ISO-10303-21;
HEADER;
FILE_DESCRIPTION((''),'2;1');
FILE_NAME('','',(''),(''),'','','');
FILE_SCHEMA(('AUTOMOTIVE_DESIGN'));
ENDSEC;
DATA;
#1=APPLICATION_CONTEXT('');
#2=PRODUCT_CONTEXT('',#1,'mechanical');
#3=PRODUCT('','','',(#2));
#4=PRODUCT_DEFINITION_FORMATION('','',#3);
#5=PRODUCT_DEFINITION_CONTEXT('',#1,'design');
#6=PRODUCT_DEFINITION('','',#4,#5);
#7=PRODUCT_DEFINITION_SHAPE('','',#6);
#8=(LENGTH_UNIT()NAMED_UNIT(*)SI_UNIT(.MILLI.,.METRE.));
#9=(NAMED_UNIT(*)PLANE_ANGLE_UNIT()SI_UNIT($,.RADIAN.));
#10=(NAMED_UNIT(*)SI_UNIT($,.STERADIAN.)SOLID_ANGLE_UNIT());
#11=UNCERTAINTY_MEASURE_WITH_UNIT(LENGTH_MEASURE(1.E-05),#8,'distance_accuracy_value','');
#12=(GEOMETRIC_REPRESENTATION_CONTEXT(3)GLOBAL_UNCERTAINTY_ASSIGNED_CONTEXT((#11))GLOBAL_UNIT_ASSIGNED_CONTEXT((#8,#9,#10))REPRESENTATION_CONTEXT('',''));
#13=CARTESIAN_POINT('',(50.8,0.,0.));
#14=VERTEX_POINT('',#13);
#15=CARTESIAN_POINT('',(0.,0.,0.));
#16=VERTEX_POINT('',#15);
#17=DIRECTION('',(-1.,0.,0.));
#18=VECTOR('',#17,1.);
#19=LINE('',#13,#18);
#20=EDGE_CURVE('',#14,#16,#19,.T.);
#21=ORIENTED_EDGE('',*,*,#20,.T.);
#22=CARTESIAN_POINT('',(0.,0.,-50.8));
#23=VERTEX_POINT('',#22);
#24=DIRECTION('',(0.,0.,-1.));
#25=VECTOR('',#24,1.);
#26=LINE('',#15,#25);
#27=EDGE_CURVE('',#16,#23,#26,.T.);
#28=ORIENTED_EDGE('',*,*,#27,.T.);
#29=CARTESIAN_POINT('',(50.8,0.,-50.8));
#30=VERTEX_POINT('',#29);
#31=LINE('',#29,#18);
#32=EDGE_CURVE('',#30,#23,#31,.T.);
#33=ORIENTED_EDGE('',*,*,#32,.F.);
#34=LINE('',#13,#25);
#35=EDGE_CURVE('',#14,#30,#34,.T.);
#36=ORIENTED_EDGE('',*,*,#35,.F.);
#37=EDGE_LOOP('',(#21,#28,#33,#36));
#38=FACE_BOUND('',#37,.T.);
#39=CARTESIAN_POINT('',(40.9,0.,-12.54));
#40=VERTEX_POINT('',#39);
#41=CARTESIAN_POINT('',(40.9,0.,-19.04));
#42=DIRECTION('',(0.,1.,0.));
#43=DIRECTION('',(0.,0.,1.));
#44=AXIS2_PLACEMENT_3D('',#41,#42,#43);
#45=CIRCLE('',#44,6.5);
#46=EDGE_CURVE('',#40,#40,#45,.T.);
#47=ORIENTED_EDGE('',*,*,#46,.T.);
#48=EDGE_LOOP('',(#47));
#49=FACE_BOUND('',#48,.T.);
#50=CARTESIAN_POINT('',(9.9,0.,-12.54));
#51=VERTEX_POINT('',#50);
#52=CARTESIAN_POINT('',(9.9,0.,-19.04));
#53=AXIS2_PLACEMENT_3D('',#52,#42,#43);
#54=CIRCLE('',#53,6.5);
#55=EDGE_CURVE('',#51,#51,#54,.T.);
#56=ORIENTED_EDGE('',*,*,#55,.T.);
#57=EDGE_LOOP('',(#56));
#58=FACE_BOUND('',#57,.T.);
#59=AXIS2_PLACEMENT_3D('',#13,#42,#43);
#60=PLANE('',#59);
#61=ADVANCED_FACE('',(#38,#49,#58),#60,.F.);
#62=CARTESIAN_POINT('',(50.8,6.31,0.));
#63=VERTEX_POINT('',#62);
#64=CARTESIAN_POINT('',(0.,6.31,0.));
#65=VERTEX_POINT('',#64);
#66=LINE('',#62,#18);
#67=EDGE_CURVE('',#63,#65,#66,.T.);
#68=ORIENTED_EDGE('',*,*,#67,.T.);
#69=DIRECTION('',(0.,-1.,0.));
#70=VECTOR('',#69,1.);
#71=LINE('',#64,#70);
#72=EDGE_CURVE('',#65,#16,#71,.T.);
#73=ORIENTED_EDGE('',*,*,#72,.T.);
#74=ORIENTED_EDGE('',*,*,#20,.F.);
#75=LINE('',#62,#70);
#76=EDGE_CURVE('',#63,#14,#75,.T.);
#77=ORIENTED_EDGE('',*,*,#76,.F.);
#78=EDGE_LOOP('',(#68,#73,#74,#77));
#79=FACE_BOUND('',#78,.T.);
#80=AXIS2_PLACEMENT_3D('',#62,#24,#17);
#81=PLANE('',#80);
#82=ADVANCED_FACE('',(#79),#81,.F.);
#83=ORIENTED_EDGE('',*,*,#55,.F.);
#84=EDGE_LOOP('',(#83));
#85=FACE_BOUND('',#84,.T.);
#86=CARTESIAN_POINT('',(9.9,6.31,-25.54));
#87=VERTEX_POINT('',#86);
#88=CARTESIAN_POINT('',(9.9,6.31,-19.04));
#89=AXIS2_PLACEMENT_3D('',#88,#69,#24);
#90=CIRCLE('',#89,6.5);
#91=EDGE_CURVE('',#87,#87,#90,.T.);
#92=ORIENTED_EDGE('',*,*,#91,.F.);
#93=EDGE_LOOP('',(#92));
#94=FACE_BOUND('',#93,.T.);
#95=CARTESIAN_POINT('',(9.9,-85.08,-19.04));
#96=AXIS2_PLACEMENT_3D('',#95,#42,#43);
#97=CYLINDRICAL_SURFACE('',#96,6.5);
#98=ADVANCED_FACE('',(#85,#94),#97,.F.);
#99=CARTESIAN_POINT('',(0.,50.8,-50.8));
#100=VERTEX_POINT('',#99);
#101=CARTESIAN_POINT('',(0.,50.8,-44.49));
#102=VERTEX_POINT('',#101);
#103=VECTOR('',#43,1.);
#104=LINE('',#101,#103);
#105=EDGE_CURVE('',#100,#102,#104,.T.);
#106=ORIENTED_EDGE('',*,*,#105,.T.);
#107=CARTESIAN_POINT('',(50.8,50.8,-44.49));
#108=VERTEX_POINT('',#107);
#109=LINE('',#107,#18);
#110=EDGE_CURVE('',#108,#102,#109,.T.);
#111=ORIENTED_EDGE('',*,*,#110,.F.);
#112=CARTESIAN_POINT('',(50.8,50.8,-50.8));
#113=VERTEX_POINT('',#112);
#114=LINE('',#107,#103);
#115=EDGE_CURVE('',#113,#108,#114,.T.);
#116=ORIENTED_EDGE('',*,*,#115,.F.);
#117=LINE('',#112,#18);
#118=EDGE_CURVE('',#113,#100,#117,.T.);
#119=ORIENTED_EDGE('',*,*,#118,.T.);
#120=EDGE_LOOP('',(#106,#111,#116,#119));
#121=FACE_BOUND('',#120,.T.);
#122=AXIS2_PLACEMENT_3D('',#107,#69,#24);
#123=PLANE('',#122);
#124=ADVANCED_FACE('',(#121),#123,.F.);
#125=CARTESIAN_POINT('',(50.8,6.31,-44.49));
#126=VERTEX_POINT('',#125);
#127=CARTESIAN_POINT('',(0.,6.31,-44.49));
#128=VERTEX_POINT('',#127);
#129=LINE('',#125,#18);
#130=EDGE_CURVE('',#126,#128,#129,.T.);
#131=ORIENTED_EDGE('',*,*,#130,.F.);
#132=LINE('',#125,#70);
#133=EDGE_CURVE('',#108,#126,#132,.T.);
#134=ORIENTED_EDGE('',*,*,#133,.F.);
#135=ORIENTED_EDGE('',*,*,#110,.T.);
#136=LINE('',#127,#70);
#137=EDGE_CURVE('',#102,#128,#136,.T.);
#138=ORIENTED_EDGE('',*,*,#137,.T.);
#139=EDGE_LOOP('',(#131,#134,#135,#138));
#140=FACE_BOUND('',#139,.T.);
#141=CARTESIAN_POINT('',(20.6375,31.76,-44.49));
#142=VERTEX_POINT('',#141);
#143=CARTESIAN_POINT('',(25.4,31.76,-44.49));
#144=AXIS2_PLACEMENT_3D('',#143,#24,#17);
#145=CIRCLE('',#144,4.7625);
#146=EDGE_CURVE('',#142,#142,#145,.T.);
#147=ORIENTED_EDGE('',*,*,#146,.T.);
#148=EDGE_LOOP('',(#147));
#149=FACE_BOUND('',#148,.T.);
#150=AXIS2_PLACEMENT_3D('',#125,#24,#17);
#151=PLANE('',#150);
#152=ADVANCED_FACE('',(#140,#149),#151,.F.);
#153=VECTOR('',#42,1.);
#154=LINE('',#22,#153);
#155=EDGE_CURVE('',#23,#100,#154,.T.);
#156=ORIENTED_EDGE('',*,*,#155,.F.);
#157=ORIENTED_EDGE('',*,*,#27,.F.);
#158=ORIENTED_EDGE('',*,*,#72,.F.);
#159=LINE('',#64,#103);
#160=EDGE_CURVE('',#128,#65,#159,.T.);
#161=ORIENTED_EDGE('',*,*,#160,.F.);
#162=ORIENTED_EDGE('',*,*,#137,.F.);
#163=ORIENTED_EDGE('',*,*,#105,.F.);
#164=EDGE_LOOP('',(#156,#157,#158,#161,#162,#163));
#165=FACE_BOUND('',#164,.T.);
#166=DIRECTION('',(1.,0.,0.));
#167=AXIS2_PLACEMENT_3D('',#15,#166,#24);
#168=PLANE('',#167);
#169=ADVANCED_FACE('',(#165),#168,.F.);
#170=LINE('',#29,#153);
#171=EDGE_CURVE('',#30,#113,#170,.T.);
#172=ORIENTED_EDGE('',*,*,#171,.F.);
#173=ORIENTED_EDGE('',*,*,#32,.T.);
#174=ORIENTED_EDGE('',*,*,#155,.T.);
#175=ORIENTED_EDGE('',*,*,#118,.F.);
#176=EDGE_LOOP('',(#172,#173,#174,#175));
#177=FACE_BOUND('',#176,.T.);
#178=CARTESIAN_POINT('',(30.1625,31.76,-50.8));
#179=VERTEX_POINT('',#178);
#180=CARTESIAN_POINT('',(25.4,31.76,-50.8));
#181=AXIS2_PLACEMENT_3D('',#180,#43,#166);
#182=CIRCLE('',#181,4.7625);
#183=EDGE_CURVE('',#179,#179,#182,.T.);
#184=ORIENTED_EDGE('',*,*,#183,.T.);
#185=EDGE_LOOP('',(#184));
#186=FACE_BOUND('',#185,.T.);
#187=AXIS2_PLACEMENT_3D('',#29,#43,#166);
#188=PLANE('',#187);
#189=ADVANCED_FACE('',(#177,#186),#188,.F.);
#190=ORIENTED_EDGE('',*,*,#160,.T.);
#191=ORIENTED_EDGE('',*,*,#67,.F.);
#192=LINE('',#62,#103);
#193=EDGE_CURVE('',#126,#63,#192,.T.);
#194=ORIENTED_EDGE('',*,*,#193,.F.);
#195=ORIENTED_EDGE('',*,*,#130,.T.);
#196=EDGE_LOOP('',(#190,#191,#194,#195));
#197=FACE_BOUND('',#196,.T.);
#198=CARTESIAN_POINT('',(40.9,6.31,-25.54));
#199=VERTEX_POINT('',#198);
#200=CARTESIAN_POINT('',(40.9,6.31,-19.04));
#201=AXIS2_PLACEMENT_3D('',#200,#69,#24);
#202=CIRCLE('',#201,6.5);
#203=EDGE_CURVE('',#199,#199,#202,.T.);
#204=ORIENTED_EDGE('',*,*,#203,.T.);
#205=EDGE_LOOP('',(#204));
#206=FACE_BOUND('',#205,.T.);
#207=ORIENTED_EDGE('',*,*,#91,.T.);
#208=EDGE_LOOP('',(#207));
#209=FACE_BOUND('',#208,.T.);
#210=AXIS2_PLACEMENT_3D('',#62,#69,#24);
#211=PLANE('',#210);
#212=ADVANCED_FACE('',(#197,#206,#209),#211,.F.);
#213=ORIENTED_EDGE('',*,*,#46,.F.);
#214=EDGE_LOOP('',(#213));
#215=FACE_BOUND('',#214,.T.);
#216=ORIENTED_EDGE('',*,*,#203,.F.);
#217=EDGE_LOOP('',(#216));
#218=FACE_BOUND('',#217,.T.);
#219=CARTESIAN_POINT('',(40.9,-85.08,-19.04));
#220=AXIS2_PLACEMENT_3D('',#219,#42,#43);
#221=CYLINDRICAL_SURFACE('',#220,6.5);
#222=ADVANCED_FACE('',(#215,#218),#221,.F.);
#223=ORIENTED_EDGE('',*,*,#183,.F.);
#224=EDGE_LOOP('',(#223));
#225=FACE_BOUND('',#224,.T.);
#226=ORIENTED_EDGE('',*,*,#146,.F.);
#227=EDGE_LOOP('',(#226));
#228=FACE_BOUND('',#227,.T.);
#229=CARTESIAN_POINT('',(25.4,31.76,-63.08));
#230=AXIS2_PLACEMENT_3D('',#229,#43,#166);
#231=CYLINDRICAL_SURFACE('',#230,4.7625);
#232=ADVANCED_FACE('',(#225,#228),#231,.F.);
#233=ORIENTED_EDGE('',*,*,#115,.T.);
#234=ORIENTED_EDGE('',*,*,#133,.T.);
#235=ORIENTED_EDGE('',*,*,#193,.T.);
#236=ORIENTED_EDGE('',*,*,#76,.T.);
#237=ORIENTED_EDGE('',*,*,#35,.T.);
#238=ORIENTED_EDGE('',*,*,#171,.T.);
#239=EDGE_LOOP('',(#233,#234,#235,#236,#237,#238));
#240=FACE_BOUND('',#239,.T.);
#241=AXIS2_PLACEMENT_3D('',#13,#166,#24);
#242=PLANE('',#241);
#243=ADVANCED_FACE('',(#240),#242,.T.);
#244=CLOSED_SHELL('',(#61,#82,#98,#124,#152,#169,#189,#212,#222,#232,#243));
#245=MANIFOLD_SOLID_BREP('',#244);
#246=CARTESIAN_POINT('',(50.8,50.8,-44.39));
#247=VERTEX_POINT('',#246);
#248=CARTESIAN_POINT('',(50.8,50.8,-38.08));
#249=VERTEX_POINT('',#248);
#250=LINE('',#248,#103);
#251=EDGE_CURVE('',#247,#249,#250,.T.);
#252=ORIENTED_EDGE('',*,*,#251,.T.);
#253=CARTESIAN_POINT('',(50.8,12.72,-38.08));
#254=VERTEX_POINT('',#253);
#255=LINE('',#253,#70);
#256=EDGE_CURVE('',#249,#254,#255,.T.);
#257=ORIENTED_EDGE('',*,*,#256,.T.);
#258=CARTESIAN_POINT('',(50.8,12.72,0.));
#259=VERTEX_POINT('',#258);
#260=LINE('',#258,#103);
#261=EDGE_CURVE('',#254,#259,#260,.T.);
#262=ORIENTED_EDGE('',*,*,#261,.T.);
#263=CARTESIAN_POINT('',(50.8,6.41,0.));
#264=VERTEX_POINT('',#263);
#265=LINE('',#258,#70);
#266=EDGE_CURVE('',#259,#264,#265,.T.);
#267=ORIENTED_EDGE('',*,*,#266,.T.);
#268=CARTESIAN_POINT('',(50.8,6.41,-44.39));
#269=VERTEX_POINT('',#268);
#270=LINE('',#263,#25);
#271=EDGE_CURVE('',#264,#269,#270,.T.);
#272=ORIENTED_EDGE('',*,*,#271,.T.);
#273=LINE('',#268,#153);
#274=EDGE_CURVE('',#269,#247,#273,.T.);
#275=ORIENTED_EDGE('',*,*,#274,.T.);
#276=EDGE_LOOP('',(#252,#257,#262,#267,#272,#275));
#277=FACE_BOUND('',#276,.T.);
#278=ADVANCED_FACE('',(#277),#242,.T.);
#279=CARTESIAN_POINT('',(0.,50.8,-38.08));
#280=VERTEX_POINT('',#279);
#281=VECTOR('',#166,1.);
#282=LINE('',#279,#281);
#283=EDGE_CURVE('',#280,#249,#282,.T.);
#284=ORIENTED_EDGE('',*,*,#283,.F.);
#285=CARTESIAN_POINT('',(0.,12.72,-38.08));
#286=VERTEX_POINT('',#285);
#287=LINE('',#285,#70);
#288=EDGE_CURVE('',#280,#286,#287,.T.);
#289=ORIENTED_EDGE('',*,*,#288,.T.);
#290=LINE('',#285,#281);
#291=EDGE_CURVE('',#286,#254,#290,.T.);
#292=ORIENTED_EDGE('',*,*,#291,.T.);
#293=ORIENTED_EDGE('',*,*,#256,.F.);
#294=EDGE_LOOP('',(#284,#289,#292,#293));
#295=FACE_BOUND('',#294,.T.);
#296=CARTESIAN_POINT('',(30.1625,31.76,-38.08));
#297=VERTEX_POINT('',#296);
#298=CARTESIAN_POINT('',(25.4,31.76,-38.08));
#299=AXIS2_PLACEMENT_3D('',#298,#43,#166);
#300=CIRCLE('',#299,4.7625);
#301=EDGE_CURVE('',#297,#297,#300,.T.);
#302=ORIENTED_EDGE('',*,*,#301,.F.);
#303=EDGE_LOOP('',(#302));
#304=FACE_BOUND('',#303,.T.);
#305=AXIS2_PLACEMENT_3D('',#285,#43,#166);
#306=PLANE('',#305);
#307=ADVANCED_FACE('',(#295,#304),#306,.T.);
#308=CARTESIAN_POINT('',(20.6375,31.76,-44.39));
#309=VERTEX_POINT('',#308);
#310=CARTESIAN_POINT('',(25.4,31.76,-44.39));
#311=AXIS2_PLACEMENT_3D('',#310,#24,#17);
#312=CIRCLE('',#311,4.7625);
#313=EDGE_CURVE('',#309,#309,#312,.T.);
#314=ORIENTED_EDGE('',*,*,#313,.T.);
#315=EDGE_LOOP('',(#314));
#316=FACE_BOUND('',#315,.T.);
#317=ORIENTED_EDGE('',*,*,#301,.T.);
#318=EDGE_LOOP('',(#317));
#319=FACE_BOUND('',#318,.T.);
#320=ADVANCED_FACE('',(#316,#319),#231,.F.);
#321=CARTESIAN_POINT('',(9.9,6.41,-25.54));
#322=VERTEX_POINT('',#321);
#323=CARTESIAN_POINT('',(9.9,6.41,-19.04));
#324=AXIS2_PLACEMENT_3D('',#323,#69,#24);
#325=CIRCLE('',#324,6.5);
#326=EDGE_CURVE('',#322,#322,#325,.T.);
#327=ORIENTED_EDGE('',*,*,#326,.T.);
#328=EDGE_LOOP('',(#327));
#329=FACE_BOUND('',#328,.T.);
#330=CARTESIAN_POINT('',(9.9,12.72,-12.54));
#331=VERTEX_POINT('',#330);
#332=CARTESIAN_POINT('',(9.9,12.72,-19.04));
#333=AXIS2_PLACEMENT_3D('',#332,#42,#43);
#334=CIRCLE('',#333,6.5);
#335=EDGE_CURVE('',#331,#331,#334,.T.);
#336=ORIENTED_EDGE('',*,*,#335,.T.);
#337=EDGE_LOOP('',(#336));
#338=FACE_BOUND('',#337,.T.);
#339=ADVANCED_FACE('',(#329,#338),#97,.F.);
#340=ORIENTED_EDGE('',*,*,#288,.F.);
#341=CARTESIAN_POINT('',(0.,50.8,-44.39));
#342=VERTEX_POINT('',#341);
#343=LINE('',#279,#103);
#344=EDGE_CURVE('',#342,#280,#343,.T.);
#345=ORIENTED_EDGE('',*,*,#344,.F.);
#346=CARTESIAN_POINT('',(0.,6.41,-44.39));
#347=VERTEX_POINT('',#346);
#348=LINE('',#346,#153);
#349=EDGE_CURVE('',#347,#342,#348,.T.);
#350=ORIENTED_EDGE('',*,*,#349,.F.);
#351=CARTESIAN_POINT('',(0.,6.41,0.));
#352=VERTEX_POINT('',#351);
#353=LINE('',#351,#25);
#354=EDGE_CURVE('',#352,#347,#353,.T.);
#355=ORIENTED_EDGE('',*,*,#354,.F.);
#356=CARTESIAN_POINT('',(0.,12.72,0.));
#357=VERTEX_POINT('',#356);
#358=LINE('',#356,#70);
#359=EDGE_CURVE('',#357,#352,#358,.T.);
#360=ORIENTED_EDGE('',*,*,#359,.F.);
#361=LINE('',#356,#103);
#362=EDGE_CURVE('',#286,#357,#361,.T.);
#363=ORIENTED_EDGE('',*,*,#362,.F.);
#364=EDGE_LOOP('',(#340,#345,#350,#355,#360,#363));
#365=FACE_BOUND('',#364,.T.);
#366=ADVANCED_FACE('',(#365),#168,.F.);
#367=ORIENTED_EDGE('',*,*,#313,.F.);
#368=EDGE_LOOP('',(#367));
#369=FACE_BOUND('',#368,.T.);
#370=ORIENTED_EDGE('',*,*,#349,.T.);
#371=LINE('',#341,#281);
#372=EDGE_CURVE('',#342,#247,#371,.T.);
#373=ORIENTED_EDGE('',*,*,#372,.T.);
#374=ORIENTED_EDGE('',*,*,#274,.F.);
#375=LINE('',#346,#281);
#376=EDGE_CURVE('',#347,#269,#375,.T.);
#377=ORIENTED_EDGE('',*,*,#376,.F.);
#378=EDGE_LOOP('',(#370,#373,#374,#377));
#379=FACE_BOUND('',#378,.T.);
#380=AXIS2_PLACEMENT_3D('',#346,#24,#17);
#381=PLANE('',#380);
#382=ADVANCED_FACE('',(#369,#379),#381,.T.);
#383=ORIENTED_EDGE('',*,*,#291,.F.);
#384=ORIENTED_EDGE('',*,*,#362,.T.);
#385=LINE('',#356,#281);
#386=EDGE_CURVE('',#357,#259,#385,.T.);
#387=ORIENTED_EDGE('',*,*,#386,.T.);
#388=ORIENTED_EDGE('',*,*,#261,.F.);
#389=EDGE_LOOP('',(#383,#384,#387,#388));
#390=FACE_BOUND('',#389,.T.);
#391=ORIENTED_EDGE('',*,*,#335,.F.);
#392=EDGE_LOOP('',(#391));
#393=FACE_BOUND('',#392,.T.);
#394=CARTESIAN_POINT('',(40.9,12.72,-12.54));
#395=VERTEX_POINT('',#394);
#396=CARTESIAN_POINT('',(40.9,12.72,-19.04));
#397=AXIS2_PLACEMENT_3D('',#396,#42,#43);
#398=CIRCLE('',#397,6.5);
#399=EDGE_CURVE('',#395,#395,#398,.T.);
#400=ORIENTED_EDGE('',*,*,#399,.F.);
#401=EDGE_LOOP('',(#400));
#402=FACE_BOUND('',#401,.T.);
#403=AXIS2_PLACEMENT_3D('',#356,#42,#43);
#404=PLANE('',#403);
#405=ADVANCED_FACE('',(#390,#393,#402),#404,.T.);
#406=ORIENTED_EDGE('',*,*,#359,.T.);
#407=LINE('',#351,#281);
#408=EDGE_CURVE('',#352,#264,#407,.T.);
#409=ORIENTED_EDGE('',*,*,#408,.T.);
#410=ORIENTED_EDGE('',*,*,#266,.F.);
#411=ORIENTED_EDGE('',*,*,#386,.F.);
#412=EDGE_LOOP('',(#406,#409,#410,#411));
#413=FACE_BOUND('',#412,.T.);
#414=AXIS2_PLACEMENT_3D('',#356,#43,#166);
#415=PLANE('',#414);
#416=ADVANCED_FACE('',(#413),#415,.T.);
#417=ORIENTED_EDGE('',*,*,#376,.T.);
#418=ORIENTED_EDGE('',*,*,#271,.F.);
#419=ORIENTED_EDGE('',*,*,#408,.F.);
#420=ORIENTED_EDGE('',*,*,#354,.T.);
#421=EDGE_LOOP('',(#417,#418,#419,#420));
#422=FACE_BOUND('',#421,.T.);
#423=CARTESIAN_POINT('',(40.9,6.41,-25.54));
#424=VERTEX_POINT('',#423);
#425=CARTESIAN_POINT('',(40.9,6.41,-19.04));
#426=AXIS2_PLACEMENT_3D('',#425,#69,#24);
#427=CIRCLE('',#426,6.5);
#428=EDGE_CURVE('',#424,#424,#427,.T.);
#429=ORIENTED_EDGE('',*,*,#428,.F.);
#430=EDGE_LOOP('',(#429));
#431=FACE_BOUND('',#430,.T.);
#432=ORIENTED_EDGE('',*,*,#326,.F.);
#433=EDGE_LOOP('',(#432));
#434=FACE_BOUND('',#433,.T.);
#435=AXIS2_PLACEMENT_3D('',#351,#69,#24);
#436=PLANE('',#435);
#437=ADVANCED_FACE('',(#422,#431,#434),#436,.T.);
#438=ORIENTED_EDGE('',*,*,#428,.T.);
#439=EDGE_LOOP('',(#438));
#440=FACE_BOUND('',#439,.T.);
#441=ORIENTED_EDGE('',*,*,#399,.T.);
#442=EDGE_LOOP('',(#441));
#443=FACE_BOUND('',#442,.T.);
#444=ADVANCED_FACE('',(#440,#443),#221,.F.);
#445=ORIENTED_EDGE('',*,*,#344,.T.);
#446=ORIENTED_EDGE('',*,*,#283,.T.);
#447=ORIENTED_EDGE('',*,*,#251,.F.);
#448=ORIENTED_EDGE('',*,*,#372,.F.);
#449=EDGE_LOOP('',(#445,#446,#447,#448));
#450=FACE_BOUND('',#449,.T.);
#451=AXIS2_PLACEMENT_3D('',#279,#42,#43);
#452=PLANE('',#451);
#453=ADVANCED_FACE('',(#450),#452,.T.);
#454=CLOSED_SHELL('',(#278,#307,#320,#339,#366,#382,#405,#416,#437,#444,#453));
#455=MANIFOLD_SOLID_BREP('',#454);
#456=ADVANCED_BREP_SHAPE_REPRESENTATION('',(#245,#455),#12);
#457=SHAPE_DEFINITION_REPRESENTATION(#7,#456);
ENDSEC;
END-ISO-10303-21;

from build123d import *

# Parameters (mm, degrees)
SALIENTE_EXTRUIR1_DEPTH = 50.8
SALIENTE_EXTRUIR2_DEPTH = 50.8
CROQUIS4_R              = 6.5
CORTAR_EXTRUIR1_DEPTH   = 97.8
CROQUIS5_R              = 4.7625
CORTAR_EXTRUIR2_DEPTH   = 25


with BuildPart() as part:
    # Croquis1 → Saliente-Extruir1 (new body)
    with BuildSketch(Plane(origin=(0, 0, 0), x_dir=(0, 0, -1), z_dir=(1, 0, 0))):
        Polygon((0, 0), (50.8, 0), (50.8, 50.8), (44.49, 50.8), (44.49, 6.31), (0, 6.31), align=None)
    extrude(amount=SALIENTE_EXTRUIR1_DEPTH)


with BuildPart() as body_2:
    # Croquis2 → Saliente-Extruir2 (new body)
    with BuildSketch(Plane(origin=(50.8, 0, 0), x_dir=(0, 0, -1), z_dir=(1, 0, 0))):
        Polygon((0, 6.41), (44.39, 6.41), (44.39, 50.8), (38.08, 50.8), (38.08, 12.72), (0, 12.72), align=None)
    extrude(amount=-SALIENTE_EXTRUIR2_DEPTH)


with BuildPart() as cortar_extruir1_tool:
    # Croquis4 → Cortar-Extruir1 (new body)
    with BuildSketch(Plane(origin=(0, 12.72, 0), x_dir=(1, 0, 0), z_dir=(0, 1, 0))):
        with Locations(Location((9.9, 19.04, 0), (0, 0, 270))):
            Circle(CROQUIS4_R)
        with Locations(Location((40.9, 19.04, 0), (0, 0, 270))):
            Circle(CROQUIS4_R)
    extrude(amount=-CORTAR_EXTRUIR1_DEPTH)


with BuildPart() as part_1:
    add(part.part)

    # Cortar-Extruir1: cut by cortar_extruir1_tool
    add(cortar_extruir1_tool.part, mode=Mode.SUBTRACT)


with BuildPart() as body_2_1:
    add(body_2.part)

    # Cortar-Extruir1: cut by cortar_extruir1_tool
    add(cortar_extruir1_tool.part, mode=Mode.SUBTRACT)


with BuildPart() as cortar_extruir2_tool:
    # Croquis5 → Cortar-Extruir2 (new body)
    with BuildSketch(Plane.XY.offset(-38.08)):
        with Locations((25.4, 31.76)):
            Circle(CROQUIS5_R)
    extrude(amount=-CORTAR_EXTRUIR2_DEPTH)


with BuildPart() as part_2:
    add(part_1.part)

    # Cortar-Extruir2: cut by cortar_extruir2_tool
    add(cortar_extruir2_tool.part, mode=Mode.SUBTRACT)


with BuildPart() as body_2_2:
    add(body_2_1.part)

    # Cortar-Extruir2: cut by cortar_extruir2_tool
    add(cortar_extruir2_tool.part, mode=Mode.SUBTRACT)


solid = Compound([part_2.part, body_2_2.part])
